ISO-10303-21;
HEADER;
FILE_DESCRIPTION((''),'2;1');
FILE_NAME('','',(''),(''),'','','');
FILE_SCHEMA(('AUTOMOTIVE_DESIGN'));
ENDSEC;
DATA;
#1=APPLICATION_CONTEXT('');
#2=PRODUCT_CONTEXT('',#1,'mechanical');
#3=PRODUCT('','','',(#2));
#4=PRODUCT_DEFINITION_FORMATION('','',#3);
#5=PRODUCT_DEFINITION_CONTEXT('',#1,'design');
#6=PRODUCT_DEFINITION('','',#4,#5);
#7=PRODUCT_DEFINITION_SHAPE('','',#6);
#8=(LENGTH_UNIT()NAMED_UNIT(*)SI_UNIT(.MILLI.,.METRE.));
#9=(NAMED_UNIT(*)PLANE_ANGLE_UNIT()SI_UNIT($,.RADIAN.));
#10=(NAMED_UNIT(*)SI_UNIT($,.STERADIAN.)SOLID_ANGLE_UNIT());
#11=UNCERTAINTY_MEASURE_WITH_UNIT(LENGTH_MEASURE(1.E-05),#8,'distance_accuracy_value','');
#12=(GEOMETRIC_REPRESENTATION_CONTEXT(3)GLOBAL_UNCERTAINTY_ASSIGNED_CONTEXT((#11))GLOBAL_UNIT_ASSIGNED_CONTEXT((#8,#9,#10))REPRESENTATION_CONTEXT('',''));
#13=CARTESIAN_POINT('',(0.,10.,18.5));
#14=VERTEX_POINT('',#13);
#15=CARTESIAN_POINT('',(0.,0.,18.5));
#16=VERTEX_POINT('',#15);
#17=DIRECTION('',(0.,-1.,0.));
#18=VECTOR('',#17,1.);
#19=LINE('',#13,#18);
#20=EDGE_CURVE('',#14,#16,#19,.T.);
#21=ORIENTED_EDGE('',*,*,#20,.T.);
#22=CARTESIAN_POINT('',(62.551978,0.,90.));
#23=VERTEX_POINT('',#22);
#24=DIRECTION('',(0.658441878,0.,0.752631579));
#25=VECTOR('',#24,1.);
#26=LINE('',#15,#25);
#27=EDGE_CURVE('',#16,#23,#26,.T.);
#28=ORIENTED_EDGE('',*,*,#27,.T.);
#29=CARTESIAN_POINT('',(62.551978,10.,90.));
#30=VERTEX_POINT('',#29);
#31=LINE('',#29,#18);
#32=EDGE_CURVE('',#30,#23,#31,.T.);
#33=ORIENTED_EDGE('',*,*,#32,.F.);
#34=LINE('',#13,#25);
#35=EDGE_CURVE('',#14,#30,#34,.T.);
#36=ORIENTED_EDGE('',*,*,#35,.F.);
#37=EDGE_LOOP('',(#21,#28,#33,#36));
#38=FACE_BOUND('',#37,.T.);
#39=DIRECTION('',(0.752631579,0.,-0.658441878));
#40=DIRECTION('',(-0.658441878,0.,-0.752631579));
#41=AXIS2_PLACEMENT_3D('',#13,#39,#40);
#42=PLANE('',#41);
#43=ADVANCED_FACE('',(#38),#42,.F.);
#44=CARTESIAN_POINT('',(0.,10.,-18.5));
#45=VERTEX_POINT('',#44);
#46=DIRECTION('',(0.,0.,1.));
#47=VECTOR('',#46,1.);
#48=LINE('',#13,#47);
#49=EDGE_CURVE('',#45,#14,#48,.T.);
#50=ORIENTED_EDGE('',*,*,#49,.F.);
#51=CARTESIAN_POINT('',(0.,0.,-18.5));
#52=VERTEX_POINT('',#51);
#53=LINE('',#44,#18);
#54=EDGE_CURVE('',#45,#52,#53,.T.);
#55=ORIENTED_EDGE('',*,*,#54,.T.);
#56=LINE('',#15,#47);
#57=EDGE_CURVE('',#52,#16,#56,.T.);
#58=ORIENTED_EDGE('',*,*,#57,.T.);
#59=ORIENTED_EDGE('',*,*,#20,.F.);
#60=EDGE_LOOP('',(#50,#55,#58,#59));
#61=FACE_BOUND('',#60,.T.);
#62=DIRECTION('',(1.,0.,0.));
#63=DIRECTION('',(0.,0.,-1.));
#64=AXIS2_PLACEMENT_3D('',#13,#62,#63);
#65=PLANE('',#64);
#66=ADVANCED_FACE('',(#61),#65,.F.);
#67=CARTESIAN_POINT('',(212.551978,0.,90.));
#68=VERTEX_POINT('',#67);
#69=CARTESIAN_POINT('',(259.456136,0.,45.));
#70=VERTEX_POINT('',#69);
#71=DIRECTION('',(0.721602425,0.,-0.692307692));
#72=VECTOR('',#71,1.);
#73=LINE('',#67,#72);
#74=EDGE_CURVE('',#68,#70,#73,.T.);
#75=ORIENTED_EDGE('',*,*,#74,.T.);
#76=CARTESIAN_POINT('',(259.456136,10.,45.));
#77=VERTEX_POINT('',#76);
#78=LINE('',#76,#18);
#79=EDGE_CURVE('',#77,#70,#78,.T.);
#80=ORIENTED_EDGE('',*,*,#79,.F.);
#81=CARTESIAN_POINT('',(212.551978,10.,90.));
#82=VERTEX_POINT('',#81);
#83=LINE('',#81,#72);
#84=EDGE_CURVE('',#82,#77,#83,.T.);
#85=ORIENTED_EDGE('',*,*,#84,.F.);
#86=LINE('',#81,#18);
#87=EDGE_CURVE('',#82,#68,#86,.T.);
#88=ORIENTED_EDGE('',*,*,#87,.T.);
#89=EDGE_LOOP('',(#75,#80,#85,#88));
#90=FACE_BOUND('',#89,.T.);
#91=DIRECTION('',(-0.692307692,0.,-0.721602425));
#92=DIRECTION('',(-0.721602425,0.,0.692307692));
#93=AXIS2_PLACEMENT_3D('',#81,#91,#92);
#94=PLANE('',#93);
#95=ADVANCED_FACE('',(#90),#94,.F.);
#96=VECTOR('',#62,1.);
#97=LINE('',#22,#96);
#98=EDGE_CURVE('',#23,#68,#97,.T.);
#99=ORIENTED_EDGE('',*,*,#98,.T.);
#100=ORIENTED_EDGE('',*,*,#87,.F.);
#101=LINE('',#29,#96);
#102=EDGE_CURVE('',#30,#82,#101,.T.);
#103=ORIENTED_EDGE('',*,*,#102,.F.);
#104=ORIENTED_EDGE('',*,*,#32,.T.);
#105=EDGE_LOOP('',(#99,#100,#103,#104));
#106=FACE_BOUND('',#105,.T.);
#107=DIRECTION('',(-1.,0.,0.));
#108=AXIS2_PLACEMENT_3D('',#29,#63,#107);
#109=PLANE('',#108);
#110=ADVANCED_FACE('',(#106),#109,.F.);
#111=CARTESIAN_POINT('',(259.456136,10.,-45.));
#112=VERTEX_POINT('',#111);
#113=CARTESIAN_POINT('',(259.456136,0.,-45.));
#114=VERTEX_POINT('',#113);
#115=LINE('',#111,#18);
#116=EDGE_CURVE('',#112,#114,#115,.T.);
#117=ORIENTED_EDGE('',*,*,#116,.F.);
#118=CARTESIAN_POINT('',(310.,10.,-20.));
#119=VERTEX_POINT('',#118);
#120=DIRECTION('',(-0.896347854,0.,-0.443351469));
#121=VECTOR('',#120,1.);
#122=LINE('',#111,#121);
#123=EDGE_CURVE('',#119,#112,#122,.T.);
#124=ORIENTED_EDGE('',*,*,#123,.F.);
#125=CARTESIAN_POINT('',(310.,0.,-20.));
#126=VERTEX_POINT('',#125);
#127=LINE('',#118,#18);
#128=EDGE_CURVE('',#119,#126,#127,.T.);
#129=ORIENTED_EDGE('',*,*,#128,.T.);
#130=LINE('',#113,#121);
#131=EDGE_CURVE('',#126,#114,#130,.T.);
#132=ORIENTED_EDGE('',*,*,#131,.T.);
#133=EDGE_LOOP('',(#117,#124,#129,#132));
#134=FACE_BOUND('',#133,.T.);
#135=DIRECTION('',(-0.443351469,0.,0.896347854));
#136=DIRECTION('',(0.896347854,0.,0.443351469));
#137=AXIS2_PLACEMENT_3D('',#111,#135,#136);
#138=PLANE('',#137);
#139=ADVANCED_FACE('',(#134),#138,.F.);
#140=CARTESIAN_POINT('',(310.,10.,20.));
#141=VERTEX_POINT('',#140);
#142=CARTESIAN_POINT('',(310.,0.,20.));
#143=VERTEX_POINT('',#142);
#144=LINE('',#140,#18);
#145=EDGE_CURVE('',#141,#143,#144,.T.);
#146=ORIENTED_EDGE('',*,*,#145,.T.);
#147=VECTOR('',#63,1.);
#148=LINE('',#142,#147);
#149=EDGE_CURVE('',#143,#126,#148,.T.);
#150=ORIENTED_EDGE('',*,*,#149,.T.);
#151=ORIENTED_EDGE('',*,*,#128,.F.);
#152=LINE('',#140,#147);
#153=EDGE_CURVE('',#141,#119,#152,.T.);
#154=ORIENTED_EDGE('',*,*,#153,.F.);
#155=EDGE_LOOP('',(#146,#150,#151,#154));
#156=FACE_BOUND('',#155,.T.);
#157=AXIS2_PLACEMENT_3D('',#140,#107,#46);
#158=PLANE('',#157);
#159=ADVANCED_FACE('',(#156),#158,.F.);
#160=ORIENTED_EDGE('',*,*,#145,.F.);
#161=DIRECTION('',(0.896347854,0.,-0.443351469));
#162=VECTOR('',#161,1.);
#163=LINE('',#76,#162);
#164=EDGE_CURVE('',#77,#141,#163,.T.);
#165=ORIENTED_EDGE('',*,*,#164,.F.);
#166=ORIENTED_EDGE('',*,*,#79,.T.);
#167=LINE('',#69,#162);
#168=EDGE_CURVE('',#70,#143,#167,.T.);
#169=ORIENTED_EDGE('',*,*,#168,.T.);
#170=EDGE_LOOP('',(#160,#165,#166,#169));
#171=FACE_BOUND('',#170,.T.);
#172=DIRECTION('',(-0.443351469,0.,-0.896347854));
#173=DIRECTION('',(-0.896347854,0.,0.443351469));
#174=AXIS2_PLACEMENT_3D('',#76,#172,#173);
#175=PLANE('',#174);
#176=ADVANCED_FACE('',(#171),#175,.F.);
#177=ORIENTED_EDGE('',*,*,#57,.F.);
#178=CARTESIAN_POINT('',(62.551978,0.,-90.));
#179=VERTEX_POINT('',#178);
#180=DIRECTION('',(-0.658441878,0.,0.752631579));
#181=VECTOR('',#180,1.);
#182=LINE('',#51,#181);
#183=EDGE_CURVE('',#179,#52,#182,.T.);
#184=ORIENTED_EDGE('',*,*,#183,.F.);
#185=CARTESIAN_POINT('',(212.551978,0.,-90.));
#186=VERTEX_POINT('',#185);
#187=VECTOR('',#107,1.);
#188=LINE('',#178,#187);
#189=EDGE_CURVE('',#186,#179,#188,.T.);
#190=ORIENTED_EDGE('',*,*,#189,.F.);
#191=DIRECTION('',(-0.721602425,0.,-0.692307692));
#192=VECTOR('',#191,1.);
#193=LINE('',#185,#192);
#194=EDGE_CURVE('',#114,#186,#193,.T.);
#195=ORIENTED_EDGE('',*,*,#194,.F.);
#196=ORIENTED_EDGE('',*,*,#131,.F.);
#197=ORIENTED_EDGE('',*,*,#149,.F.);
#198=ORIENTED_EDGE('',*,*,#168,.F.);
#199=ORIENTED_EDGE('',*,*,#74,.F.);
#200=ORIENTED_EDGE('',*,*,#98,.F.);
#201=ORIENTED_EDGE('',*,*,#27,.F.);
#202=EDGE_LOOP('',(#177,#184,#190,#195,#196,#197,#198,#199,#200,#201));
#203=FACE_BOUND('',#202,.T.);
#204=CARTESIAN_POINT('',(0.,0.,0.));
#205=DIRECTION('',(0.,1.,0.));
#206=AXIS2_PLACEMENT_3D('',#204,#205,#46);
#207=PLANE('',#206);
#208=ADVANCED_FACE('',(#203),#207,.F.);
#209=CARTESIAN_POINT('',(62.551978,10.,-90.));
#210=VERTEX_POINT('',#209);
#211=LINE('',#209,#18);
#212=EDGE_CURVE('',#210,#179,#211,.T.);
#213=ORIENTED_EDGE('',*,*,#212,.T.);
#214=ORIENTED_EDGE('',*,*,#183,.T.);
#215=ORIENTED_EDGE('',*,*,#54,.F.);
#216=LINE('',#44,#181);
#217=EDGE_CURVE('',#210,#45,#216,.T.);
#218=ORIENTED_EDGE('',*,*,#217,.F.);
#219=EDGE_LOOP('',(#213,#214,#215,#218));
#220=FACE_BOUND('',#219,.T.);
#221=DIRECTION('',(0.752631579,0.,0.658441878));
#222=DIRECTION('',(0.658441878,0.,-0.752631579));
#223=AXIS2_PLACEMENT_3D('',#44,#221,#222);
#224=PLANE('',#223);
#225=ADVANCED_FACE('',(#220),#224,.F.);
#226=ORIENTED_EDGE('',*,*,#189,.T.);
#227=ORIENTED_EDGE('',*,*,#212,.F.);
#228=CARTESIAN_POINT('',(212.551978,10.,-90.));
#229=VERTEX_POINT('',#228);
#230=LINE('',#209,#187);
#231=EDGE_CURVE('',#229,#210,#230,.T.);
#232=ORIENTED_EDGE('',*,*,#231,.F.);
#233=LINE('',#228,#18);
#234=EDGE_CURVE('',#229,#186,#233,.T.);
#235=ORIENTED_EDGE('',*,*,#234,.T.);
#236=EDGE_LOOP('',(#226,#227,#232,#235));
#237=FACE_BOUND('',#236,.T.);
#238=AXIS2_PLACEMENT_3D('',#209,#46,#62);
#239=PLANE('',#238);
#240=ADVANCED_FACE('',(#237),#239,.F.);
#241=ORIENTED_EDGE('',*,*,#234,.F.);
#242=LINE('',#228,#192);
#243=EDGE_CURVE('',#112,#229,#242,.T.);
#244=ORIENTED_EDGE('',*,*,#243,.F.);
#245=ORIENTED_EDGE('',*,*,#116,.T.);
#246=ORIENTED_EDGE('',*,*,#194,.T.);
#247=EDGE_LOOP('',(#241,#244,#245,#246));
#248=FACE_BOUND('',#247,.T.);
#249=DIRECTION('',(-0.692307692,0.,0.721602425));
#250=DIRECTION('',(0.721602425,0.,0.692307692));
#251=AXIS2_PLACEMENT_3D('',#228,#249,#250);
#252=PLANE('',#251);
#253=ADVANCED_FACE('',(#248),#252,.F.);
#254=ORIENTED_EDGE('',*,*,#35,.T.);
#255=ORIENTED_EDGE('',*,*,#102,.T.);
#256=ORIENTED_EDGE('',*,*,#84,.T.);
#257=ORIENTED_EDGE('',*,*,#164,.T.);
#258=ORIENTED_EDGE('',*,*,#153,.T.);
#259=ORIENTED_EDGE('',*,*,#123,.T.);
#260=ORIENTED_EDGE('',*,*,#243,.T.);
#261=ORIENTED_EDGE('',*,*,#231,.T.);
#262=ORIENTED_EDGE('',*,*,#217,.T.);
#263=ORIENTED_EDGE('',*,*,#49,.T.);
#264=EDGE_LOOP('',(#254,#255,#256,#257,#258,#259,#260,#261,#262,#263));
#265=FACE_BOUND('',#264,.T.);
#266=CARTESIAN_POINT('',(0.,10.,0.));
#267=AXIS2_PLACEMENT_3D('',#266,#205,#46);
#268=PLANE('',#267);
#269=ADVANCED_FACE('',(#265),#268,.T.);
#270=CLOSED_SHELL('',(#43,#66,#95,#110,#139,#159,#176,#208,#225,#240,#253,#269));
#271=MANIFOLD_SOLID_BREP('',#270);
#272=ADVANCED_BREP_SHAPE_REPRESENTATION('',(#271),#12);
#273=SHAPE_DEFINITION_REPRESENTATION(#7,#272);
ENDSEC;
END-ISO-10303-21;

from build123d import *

# Parameters (mm, degrees)
BOSS_EXTRUDE1_DEPTH = 10


with BuildPart() as part:
    # Sketch2 → Boss-Extrude1 (new body)
    with BuildSketch(Plane(origin=(0, 0, 0), x_dir=(1, 0, 0), z_dir=(0, 1, 0))):
        Polygon((310, -20), (310, 20), (259.456135984, 45), (212.551978386, 90), (62.551978386, 90), (0, 18.5), (0, -18.5), (62.551978386, -90), (212.551978386, -90), (259.456135984, -45), align=None)
    extrude(amount=BOSS_EXTRUDE1_DEPTH)


solid = part.part
